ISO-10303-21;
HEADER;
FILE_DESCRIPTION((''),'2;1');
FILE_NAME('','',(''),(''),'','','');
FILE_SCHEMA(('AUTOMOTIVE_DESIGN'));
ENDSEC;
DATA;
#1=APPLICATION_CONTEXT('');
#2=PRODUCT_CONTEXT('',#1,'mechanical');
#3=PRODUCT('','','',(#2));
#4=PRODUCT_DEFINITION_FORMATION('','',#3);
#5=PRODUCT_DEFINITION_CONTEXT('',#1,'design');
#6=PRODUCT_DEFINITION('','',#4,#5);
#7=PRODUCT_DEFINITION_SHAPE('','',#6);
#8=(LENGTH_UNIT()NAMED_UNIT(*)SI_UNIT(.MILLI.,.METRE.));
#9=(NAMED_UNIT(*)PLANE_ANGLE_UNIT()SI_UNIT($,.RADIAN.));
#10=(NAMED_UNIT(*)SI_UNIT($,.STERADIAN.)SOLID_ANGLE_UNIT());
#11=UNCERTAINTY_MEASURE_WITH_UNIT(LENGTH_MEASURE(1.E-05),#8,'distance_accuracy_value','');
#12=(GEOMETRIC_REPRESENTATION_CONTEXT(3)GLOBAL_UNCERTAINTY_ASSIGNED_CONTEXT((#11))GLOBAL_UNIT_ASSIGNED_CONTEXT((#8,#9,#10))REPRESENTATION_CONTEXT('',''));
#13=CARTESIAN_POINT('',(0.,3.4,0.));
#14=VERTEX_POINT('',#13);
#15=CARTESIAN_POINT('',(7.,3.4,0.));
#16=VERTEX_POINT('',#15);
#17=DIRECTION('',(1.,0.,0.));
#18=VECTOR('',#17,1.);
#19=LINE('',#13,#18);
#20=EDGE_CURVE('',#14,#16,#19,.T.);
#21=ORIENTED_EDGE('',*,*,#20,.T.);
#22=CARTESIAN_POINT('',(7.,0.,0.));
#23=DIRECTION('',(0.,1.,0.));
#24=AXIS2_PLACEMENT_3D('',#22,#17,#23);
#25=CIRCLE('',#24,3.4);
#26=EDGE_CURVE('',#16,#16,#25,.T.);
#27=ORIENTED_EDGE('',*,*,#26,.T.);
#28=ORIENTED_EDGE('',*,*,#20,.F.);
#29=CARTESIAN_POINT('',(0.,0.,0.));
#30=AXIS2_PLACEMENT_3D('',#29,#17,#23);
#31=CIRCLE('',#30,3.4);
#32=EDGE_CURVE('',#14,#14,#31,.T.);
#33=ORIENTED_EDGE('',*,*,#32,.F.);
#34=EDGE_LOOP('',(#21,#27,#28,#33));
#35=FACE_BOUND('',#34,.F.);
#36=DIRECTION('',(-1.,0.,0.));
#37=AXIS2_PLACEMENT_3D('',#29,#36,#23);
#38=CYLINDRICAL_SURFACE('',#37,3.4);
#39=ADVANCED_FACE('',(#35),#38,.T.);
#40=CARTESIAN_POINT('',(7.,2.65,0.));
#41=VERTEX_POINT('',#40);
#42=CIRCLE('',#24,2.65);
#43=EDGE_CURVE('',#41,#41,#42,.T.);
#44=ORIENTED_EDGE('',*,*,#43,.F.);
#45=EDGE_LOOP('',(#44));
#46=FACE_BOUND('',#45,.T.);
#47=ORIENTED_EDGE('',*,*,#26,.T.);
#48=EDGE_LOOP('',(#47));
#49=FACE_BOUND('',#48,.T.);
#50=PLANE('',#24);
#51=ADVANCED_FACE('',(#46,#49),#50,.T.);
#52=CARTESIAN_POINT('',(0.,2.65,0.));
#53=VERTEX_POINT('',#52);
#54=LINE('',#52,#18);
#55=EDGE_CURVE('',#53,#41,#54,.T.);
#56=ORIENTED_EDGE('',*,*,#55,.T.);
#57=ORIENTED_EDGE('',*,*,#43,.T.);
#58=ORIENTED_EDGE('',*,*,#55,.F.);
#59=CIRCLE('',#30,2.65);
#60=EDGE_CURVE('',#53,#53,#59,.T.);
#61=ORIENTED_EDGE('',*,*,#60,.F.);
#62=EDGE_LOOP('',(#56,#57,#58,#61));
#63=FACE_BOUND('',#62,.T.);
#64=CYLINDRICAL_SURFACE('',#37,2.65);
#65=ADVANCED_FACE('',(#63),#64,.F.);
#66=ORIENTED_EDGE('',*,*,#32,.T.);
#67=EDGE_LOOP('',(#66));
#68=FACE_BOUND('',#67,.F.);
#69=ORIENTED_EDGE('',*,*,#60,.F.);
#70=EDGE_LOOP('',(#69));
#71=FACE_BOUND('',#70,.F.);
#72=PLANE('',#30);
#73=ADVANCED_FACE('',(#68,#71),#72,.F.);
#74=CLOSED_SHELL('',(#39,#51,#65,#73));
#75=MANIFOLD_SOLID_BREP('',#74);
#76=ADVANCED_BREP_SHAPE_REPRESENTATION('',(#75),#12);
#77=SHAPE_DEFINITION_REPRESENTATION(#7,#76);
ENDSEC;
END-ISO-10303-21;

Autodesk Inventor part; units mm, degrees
ref_plane "YZ Plane" through (0, 0, 0) normal (1, 0, 0) x (0, 1, 0)
ref_plane "XZ Plane" through (0, 0, 0) normal (0, 1, 0) x (-1, 0, 0)
ref_plane "XY Plane" through (0, 0, 0) normal (0, 0, 1) x (1, 0, 0)
sketch "Sketch1" plane through (0, 0, 0) normal (1, 0, 0) x (0, 1, 0)
  circle A0 centre (0, 0) radius 2.65
  circle A1 centre (0, 0) radius 3.4
  dimension "d0" = 5.3
  dimension "d1" = 6.8
extrude "Extrusion1" add sketch "Sketch1" along normal blind 7
properties part number "Idler Pully Spacer X Axis 7mm"
